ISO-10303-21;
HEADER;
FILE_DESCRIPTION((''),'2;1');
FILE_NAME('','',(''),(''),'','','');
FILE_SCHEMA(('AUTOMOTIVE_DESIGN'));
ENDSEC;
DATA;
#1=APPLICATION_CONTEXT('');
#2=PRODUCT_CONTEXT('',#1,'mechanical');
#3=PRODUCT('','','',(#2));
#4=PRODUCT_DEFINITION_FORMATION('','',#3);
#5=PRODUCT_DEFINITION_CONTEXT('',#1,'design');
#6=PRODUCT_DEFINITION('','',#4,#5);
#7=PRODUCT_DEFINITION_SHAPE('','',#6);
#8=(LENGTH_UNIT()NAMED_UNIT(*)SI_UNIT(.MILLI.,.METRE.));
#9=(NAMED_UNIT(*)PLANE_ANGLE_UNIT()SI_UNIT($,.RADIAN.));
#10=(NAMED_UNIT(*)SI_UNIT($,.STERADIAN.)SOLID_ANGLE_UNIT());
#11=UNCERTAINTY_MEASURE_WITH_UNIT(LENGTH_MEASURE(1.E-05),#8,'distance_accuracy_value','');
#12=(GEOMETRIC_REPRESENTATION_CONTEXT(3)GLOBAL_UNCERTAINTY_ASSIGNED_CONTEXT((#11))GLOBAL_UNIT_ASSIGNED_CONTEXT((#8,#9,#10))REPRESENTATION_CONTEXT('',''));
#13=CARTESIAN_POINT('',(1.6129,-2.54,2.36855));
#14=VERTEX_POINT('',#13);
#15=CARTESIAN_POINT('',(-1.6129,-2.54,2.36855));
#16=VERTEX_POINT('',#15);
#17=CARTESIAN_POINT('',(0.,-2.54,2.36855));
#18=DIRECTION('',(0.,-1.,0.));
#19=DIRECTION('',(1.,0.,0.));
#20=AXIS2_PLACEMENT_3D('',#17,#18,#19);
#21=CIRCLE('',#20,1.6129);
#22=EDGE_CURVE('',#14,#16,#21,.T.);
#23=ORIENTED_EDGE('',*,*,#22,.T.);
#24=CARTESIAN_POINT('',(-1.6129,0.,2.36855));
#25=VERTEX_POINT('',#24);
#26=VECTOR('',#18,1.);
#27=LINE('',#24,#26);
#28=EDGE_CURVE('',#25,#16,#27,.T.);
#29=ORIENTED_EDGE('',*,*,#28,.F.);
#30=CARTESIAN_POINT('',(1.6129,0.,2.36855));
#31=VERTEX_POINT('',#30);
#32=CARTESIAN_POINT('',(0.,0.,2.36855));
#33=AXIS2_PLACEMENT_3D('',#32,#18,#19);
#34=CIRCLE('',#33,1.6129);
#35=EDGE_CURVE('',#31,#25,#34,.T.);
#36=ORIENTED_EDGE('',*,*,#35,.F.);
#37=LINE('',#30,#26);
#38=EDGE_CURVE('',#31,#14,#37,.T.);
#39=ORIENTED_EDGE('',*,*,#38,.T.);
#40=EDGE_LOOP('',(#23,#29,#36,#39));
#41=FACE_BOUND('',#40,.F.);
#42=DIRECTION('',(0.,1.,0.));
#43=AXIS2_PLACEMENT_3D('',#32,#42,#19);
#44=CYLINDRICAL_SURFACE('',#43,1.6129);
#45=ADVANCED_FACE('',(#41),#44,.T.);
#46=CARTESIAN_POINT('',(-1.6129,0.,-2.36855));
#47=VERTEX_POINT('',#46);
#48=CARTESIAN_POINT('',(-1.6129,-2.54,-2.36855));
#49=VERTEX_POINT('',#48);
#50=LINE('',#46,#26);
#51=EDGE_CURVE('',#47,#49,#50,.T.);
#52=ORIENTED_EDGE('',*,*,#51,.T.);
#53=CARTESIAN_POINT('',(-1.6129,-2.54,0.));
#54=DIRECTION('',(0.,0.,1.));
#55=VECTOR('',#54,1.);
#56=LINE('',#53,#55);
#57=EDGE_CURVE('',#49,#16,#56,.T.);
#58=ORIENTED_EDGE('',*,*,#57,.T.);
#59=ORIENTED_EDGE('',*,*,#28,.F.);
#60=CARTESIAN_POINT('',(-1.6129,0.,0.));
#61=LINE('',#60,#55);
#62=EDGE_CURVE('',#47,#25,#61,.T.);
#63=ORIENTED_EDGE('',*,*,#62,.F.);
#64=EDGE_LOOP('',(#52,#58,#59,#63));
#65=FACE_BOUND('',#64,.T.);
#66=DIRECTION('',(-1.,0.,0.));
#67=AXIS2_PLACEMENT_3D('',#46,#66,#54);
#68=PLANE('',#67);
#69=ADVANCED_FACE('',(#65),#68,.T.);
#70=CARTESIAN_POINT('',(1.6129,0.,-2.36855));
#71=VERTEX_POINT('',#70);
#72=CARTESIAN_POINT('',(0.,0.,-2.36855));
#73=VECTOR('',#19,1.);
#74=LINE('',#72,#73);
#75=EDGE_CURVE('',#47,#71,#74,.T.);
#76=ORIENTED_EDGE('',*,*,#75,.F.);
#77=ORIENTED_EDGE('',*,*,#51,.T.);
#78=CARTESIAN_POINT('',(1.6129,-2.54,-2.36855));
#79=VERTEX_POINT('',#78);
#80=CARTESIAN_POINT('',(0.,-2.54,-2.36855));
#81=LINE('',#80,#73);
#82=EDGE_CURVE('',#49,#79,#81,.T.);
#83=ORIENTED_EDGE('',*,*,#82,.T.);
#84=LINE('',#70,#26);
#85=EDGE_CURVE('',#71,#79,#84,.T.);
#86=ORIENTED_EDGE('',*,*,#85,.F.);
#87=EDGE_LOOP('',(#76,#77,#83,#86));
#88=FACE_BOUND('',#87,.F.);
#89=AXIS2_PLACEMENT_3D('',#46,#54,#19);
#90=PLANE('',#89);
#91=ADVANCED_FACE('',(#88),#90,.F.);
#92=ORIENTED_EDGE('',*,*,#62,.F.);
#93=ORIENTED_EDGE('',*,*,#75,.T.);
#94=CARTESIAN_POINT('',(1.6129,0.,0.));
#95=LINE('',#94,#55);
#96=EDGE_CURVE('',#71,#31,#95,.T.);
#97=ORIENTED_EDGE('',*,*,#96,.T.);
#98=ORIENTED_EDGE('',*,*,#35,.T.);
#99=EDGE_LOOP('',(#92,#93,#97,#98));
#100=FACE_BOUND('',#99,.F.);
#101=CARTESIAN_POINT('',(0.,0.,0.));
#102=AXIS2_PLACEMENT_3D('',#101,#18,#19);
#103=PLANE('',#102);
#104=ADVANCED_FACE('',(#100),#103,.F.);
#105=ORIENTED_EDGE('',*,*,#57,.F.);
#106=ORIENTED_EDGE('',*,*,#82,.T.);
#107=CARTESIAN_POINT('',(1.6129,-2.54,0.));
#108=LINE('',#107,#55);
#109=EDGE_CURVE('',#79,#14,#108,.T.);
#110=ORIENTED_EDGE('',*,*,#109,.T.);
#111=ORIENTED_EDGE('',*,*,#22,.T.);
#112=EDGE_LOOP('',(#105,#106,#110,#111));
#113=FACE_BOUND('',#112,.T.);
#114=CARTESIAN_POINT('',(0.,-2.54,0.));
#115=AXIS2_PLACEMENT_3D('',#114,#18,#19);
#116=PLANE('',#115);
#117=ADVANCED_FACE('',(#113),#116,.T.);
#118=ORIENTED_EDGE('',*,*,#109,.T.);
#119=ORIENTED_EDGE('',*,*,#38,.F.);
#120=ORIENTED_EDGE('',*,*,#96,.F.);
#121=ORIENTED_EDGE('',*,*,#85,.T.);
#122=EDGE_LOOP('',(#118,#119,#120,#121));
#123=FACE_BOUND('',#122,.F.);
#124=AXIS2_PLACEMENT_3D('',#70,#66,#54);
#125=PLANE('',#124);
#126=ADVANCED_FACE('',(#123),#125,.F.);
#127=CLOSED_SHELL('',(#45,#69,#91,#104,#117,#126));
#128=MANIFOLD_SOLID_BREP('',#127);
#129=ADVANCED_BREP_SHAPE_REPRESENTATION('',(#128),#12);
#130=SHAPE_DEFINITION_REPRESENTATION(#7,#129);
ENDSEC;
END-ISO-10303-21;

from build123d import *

# Parameters (mm, degrees)
F0_W     = 3.2258
F0_H     = 4.7371
F1_DEPTH = 2.54


with BuildPart() as f1:
    # F0 (on Front) → F1 (new body)
    with BuildSketch(Plane.XZ):
        Rectangle(F0_W, F0_H)
        with BuildLine():
            Line((-1.6129, 2.36855), (1.6129, 2.36855))
            ThreePointArc((1.6129, 2.36855), (0, 3.98145), (-1.6129, 2.36855))
        make_face()
    extrude(amount=F1_DEPTH)


solid = f1.part
